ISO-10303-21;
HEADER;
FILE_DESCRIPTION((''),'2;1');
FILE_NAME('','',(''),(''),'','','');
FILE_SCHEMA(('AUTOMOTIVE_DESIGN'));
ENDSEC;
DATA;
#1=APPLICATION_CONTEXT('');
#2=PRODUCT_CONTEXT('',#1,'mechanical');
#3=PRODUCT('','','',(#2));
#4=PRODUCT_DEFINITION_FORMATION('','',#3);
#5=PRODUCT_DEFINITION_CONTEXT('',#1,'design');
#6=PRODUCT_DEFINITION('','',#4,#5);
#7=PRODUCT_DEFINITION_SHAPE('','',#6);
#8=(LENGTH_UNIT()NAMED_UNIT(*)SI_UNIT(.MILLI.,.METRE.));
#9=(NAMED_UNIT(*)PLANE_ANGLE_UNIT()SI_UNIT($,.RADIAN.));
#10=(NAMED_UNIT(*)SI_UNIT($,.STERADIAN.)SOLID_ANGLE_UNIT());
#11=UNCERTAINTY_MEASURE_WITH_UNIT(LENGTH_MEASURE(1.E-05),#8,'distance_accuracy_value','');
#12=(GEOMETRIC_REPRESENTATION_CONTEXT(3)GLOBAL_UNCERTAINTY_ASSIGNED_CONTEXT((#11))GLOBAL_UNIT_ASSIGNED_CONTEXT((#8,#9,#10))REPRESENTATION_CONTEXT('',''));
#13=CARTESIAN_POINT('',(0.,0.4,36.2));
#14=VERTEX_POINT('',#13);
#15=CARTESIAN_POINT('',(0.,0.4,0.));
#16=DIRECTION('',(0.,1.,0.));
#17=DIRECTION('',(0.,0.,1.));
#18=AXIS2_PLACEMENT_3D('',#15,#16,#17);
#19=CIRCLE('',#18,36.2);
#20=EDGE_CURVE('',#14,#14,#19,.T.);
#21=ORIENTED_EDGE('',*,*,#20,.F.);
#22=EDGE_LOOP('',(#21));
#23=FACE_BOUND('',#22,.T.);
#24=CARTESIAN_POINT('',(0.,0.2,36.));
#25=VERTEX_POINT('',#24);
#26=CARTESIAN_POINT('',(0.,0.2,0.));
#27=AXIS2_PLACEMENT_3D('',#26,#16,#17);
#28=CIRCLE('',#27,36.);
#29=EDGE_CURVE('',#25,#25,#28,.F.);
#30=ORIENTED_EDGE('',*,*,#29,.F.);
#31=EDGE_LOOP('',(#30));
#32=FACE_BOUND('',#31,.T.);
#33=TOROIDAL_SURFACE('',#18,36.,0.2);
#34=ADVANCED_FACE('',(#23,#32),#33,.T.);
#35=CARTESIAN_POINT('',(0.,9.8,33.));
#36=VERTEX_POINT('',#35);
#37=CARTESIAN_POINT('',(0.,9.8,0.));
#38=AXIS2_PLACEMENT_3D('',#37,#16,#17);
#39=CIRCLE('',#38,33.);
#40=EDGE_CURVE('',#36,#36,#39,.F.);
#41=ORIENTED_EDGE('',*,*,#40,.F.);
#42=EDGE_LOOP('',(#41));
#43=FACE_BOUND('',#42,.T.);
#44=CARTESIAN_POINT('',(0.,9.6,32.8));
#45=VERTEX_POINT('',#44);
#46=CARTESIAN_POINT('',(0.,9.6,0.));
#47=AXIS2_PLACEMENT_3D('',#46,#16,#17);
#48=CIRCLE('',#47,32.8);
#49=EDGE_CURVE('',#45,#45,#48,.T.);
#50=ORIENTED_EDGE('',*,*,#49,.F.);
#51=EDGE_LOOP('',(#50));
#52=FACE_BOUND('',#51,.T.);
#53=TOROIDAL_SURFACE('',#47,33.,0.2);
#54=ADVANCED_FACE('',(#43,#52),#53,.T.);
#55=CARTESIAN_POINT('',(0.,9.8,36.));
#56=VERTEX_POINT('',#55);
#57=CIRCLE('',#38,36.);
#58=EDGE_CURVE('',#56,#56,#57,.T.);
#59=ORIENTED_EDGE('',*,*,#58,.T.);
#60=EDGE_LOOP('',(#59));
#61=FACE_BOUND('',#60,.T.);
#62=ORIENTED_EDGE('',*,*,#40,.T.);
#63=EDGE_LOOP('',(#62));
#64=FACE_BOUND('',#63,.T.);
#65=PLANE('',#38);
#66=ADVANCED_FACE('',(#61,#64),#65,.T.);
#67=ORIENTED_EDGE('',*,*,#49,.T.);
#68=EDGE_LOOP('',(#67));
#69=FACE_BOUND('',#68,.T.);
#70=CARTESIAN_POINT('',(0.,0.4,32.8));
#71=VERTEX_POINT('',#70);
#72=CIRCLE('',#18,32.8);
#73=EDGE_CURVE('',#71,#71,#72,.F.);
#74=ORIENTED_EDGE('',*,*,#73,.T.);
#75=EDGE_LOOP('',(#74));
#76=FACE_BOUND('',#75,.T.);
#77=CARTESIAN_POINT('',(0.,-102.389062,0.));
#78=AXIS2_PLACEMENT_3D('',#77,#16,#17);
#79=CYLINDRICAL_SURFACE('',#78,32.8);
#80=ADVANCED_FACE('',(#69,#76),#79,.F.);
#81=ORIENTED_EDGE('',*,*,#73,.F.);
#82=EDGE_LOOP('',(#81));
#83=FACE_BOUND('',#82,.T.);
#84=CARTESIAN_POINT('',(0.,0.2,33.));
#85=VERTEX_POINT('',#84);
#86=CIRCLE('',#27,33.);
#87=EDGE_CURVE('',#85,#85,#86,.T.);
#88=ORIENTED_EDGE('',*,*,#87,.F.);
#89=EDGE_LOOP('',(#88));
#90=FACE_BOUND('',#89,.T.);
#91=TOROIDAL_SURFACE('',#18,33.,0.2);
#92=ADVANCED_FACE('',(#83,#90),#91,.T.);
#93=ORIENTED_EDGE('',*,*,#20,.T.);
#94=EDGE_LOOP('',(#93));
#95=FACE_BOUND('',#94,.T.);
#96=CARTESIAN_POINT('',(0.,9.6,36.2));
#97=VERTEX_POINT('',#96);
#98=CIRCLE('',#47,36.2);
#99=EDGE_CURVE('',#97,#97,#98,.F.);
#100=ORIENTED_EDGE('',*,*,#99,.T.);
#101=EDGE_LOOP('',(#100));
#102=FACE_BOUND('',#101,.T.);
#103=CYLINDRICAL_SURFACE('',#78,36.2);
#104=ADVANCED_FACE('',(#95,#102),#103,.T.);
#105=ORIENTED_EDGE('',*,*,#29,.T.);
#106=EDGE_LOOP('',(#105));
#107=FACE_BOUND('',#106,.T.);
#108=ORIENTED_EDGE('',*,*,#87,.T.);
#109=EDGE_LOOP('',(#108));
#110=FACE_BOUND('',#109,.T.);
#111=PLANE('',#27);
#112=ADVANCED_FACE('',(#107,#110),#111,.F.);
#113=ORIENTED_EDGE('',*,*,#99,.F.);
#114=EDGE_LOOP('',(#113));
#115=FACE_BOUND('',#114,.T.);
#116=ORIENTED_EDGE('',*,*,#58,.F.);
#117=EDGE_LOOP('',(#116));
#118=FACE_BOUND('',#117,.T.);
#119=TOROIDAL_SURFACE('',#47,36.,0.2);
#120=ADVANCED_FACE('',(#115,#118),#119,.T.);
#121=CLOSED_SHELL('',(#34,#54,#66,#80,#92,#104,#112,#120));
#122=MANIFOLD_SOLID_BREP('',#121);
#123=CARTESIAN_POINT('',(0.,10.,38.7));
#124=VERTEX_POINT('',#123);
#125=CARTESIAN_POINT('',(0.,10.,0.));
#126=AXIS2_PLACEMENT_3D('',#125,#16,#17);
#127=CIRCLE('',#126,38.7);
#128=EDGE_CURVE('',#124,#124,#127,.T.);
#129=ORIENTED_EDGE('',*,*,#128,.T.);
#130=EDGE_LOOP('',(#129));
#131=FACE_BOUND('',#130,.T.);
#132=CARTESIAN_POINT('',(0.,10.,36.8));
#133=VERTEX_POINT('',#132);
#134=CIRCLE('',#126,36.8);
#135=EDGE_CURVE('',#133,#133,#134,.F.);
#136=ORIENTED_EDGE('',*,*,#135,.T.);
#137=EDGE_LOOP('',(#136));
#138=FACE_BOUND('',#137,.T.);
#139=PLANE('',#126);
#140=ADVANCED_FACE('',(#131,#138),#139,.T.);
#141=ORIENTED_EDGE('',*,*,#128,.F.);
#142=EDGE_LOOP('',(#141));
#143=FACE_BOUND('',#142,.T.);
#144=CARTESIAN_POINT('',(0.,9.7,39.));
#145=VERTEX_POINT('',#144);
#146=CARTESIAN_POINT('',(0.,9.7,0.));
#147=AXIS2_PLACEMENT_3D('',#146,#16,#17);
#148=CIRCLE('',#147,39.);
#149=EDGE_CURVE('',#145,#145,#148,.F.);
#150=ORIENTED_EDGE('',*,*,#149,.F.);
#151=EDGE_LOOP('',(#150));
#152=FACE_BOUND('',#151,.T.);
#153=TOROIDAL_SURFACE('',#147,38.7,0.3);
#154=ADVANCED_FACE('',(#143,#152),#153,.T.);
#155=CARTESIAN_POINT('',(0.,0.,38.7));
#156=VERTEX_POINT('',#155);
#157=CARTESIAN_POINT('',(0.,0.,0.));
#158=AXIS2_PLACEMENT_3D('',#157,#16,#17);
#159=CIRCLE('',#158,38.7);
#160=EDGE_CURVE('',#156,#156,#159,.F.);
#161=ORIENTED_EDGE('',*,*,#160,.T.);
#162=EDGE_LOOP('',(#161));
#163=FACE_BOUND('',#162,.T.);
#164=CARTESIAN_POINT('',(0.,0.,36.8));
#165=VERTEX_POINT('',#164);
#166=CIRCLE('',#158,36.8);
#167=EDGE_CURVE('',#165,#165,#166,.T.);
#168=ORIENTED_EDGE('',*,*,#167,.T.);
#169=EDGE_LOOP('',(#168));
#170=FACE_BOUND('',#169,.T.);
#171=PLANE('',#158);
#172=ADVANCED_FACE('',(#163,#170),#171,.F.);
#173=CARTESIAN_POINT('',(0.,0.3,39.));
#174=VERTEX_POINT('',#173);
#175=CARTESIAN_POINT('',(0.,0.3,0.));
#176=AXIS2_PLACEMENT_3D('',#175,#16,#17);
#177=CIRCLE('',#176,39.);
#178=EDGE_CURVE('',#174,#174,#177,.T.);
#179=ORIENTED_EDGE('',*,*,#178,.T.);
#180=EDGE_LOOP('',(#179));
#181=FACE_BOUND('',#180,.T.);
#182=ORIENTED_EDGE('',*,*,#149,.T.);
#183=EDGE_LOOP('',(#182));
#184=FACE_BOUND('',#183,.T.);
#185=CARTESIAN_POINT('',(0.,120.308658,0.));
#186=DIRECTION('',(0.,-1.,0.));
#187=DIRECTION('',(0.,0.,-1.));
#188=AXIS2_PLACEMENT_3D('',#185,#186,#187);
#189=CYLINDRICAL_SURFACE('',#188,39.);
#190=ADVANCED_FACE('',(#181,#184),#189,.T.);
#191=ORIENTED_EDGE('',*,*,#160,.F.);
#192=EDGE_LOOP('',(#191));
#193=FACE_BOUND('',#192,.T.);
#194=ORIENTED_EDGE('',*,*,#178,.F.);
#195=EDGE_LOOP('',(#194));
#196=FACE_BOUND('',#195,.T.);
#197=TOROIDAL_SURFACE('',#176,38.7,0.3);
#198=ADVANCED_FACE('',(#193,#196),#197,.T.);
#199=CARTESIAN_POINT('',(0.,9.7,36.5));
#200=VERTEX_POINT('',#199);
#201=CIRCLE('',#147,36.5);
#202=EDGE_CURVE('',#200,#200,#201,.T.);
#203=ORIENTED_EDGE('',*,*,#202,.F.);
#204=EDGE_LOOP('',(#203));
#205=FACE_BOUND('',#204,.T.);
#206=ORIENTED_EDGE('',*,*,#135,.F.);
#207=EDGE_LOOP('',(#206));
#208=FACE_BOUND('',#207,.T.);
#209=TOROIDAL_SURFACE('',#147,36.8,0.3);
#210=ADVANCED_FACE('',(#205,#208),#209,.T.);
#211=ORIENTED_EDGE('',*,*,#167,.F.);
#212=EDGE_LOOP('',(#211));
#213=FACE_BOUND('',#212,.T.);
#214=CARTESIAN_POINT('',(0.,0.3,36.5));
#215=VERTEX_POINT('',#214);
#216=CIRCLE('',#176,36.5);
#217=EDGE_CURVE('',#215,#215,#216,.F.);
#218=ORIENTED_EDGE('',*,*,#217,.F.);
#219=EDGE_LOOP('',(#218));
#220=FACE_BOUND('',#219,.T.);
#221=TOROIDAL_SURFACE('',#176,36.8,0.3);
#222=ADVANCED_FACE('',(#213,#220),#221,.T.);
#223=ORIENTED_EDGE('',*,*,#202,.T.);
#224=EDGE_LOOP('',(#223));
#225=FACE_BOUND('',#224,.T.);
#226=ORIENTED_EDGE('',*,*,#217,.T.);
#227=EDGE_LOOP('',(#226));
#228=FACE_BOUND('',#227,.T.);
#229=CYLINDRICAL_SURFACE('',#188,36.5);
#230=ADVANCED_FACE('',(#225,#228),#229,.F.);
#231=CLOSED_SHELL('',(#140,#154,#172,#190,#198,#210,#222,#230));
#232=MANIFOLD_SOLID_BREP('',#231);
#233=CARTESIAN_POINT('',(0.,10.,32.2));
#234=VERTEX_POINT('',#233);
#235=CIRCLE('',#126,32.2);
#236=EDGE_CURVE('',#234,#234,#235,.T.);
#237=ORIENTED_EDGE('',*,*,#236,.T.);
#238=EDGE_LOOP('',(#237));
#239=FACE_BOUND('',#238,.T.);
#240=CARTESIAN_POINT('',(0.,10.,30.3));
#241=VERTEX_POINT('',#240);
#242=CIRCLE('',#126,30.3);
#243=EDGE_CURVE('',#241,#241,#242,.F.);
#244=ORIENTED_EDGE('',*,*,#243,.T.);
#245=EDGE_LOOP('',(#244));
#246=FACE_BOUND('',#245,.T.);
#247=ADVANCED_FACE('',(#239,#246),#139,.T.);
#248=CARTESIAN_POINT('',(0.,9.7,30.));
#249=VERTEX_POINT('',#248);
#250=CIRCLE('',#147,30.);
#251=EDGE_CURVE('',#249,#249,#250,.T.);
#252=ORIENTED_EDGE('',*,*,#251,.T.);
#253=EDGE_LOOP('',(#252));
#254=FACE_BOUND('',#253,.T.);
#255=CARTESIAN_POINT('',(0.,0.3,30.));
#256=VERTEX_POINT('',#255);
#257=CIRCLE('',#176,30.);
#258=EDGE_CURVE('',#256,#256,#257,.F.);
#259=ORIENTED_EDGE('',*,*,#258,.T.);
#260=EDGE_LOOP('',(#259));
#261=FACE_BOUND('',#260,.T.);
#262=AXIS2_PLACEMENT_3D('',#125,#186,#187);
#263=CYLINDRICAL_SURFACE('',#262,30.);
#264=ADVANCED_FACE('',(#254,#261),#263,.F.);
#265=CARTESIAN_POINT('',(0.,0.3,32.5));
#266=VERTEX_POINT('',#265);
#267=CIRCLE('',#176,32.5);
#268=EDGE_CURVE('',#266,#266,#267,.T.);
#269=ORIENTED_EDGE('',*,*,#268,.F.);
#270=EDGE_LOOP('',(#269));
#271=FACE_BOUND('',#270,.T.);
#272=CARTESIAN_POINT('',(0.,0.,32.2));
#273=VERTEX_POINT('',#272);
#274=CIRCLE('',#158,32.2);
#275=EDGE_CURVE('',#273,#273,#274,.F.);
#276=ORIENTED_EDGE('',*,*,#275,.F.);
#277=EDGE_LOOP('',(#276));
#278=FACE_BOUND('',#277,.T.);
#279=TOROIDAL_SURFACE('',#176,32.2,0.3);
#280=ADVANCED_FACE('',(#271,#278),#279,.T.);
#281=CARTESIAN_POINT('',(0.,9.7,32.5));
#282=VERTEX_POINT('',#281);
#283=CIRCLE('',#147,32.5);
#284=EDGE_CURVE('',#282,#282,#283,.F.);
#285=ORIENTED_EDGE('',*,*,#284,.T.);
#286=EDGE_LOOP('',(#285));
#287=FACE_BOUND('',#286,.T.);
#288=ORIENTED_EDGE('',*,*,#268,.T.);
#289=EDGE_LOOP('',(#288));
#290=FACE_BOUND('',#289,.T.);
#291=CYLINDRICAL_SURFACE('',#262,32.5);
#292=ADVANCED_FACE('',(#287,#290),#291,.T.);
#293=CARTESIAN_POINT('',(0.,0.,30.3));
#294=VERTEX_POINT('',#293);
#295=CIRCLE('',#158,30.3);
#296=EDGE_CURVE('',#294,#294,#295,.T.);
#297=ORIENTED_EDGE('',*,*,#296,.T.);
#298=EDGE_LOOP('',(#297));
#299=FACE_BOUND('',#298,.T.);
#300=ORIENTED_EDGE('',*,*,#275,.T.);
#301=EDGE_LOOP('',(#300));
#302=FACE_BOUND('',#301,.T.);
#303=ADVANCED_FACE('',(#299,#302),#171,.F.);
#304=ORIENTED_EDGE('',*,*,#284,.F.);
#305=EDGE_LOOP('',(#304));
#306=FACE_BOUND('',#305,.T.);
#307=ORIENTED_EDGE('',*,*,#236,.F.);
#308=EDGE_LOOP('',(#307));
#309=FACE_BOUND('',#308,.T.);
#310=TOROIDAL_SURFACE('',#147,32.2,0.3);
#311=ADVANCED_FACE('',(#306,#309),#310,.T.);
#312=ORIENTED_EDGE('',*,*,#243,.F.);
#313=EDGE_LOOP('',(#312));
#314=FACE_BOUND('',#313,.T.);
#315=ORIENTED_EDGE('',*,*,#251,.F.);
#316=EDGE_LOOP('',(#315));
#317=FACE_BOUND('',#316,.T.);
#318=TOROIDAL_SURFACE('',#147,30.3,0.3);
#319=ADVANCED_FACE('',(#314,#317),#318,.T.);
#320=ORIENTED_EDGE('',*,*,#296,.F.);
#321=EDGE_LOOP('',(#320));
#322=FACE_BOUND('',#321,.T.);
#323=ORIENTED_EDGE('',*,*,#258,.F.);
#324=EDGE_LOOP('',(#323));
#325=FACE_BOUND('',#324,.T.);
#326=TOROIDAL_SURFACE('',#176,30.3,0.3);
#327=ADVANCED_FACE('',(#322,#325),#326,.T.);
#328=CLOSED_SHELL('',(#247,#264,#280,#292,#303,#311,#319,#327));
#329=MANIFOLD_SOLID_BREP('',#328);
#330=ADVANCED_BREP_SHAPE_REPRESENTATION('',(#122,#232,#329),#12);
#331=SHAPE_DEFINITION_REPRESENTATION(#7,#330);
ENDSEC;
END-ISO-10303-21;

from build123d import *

# Parameters (mm, degrees)
SKETCH1_R           = 32.5
SKETCH1_R_2         = 30
BOSS_EXTRUDE1_DEPTH = 10
SKETCH2_R           = 39
SKETCH2_R_2         = 36.5
BOSS_EXTRUDE2_DEPTH = 10
BOSS_EXTRUDE3_START = -0.2
SKETCH3_R           = 36.2
SKETCH3_R_2         = 32.8
BOSS_EXTRUDE3_DEPTH = 9.6
FILLET1_R           = 0.3
FILLET2_R           = 0.3
FILLET3_R           = 0.2


with BuildPart() as part:
    # Sketch1 → Boss-Extrude1 (new body)
    with BuildSketch(Plane(origin=(0, 0, 0), x_dir=(1, 0, 0), z_dir=(0, 1, 0))):
        with Locations(Location((0, 0, 0), (0, 0, 270))):
            Circle(SKETCH1_R)
        with Locations(Location((0, 0, 0), (0, 0, 270))):
            Circle(SKETCH1_R_2, mode=Mode.SUBTRACT)
    extrude(amount=BOSS_EXTRUDE1_DEPTH)

    # Fillet2
    fillet2_edges = [part.edges().sort_by_distance(p)[0] for p in [
        (0, 0, -32.5),
        (0, 10, -32.5),
        (0, 0, -30),
        (0, 10, -30),
    ]]
    fillet(fillet2_edges, radius=FILLET2_R)


with BuildPart() as body_2:
    # Sketch2 → Boss-Extrude2 (new body)
    with BuildSketch(Plane(origin=(0, 0, 0), x_dir=(1, 0, 0), z_dir=(0, 1, 0))):
        with Locations(Location((0, 0, 0), (0, 0, 270))):
            Circle(SKETCH2_R)
        with Locations(Location((0, 0, 0), (0, 0, 270))):
            Circle(SKETCH2_R_2, mode=Mode.SUBTRACT)
    extrude(amount=BOSS_EXTRUDE2_DEPTH)

    # Fillet1
    fillet1_edges = [body_2.edges().sort_by_distance(p)[0] for p in [
        (0, 10, -39),
        (0, 0, -39),
        (0, 0, -36.5),
        (0, 10, -36.5),
    ]]
    fillet(fillet1_edges, radius=FILLET1_R)


with BuildPart() as body_3:
    # Sketch3 → Boss-Extrude3 (new body)
    with BuildSketch(Plane(origin=(0, 10, 0), x_dir=(1, 0, 0), z_dir=(0, 1, 0)).offset(BOSS_EXTRUDE3_START)):
        with Locations(Location((0, 0, 0), (0, 0, 270))):
            Circle(SKETCH3_R)
        with Locations(Location((0, 0, 0), (0, 0, 270))):
            Circle(SKETCH3_R_2, mode=Mode.SUBTRACT)
    extrude(amount=-BOSS_EXTRUDE3_DEPTH)

    # Fillet3
    fillet3_edges = [body_3.edges().sort_by_distance(p)[0] for p in [
        (0, 9.8, -36.2),
        (0, 9.8, -32.8),
        (0, 0.2, -36.2),
        (0, 0.2, -32.8),
    ]]
    fillet(fillet3_edges, radius=FILLET3_R)


solid = Compound([part.part, body_2.part, body_3.part])
